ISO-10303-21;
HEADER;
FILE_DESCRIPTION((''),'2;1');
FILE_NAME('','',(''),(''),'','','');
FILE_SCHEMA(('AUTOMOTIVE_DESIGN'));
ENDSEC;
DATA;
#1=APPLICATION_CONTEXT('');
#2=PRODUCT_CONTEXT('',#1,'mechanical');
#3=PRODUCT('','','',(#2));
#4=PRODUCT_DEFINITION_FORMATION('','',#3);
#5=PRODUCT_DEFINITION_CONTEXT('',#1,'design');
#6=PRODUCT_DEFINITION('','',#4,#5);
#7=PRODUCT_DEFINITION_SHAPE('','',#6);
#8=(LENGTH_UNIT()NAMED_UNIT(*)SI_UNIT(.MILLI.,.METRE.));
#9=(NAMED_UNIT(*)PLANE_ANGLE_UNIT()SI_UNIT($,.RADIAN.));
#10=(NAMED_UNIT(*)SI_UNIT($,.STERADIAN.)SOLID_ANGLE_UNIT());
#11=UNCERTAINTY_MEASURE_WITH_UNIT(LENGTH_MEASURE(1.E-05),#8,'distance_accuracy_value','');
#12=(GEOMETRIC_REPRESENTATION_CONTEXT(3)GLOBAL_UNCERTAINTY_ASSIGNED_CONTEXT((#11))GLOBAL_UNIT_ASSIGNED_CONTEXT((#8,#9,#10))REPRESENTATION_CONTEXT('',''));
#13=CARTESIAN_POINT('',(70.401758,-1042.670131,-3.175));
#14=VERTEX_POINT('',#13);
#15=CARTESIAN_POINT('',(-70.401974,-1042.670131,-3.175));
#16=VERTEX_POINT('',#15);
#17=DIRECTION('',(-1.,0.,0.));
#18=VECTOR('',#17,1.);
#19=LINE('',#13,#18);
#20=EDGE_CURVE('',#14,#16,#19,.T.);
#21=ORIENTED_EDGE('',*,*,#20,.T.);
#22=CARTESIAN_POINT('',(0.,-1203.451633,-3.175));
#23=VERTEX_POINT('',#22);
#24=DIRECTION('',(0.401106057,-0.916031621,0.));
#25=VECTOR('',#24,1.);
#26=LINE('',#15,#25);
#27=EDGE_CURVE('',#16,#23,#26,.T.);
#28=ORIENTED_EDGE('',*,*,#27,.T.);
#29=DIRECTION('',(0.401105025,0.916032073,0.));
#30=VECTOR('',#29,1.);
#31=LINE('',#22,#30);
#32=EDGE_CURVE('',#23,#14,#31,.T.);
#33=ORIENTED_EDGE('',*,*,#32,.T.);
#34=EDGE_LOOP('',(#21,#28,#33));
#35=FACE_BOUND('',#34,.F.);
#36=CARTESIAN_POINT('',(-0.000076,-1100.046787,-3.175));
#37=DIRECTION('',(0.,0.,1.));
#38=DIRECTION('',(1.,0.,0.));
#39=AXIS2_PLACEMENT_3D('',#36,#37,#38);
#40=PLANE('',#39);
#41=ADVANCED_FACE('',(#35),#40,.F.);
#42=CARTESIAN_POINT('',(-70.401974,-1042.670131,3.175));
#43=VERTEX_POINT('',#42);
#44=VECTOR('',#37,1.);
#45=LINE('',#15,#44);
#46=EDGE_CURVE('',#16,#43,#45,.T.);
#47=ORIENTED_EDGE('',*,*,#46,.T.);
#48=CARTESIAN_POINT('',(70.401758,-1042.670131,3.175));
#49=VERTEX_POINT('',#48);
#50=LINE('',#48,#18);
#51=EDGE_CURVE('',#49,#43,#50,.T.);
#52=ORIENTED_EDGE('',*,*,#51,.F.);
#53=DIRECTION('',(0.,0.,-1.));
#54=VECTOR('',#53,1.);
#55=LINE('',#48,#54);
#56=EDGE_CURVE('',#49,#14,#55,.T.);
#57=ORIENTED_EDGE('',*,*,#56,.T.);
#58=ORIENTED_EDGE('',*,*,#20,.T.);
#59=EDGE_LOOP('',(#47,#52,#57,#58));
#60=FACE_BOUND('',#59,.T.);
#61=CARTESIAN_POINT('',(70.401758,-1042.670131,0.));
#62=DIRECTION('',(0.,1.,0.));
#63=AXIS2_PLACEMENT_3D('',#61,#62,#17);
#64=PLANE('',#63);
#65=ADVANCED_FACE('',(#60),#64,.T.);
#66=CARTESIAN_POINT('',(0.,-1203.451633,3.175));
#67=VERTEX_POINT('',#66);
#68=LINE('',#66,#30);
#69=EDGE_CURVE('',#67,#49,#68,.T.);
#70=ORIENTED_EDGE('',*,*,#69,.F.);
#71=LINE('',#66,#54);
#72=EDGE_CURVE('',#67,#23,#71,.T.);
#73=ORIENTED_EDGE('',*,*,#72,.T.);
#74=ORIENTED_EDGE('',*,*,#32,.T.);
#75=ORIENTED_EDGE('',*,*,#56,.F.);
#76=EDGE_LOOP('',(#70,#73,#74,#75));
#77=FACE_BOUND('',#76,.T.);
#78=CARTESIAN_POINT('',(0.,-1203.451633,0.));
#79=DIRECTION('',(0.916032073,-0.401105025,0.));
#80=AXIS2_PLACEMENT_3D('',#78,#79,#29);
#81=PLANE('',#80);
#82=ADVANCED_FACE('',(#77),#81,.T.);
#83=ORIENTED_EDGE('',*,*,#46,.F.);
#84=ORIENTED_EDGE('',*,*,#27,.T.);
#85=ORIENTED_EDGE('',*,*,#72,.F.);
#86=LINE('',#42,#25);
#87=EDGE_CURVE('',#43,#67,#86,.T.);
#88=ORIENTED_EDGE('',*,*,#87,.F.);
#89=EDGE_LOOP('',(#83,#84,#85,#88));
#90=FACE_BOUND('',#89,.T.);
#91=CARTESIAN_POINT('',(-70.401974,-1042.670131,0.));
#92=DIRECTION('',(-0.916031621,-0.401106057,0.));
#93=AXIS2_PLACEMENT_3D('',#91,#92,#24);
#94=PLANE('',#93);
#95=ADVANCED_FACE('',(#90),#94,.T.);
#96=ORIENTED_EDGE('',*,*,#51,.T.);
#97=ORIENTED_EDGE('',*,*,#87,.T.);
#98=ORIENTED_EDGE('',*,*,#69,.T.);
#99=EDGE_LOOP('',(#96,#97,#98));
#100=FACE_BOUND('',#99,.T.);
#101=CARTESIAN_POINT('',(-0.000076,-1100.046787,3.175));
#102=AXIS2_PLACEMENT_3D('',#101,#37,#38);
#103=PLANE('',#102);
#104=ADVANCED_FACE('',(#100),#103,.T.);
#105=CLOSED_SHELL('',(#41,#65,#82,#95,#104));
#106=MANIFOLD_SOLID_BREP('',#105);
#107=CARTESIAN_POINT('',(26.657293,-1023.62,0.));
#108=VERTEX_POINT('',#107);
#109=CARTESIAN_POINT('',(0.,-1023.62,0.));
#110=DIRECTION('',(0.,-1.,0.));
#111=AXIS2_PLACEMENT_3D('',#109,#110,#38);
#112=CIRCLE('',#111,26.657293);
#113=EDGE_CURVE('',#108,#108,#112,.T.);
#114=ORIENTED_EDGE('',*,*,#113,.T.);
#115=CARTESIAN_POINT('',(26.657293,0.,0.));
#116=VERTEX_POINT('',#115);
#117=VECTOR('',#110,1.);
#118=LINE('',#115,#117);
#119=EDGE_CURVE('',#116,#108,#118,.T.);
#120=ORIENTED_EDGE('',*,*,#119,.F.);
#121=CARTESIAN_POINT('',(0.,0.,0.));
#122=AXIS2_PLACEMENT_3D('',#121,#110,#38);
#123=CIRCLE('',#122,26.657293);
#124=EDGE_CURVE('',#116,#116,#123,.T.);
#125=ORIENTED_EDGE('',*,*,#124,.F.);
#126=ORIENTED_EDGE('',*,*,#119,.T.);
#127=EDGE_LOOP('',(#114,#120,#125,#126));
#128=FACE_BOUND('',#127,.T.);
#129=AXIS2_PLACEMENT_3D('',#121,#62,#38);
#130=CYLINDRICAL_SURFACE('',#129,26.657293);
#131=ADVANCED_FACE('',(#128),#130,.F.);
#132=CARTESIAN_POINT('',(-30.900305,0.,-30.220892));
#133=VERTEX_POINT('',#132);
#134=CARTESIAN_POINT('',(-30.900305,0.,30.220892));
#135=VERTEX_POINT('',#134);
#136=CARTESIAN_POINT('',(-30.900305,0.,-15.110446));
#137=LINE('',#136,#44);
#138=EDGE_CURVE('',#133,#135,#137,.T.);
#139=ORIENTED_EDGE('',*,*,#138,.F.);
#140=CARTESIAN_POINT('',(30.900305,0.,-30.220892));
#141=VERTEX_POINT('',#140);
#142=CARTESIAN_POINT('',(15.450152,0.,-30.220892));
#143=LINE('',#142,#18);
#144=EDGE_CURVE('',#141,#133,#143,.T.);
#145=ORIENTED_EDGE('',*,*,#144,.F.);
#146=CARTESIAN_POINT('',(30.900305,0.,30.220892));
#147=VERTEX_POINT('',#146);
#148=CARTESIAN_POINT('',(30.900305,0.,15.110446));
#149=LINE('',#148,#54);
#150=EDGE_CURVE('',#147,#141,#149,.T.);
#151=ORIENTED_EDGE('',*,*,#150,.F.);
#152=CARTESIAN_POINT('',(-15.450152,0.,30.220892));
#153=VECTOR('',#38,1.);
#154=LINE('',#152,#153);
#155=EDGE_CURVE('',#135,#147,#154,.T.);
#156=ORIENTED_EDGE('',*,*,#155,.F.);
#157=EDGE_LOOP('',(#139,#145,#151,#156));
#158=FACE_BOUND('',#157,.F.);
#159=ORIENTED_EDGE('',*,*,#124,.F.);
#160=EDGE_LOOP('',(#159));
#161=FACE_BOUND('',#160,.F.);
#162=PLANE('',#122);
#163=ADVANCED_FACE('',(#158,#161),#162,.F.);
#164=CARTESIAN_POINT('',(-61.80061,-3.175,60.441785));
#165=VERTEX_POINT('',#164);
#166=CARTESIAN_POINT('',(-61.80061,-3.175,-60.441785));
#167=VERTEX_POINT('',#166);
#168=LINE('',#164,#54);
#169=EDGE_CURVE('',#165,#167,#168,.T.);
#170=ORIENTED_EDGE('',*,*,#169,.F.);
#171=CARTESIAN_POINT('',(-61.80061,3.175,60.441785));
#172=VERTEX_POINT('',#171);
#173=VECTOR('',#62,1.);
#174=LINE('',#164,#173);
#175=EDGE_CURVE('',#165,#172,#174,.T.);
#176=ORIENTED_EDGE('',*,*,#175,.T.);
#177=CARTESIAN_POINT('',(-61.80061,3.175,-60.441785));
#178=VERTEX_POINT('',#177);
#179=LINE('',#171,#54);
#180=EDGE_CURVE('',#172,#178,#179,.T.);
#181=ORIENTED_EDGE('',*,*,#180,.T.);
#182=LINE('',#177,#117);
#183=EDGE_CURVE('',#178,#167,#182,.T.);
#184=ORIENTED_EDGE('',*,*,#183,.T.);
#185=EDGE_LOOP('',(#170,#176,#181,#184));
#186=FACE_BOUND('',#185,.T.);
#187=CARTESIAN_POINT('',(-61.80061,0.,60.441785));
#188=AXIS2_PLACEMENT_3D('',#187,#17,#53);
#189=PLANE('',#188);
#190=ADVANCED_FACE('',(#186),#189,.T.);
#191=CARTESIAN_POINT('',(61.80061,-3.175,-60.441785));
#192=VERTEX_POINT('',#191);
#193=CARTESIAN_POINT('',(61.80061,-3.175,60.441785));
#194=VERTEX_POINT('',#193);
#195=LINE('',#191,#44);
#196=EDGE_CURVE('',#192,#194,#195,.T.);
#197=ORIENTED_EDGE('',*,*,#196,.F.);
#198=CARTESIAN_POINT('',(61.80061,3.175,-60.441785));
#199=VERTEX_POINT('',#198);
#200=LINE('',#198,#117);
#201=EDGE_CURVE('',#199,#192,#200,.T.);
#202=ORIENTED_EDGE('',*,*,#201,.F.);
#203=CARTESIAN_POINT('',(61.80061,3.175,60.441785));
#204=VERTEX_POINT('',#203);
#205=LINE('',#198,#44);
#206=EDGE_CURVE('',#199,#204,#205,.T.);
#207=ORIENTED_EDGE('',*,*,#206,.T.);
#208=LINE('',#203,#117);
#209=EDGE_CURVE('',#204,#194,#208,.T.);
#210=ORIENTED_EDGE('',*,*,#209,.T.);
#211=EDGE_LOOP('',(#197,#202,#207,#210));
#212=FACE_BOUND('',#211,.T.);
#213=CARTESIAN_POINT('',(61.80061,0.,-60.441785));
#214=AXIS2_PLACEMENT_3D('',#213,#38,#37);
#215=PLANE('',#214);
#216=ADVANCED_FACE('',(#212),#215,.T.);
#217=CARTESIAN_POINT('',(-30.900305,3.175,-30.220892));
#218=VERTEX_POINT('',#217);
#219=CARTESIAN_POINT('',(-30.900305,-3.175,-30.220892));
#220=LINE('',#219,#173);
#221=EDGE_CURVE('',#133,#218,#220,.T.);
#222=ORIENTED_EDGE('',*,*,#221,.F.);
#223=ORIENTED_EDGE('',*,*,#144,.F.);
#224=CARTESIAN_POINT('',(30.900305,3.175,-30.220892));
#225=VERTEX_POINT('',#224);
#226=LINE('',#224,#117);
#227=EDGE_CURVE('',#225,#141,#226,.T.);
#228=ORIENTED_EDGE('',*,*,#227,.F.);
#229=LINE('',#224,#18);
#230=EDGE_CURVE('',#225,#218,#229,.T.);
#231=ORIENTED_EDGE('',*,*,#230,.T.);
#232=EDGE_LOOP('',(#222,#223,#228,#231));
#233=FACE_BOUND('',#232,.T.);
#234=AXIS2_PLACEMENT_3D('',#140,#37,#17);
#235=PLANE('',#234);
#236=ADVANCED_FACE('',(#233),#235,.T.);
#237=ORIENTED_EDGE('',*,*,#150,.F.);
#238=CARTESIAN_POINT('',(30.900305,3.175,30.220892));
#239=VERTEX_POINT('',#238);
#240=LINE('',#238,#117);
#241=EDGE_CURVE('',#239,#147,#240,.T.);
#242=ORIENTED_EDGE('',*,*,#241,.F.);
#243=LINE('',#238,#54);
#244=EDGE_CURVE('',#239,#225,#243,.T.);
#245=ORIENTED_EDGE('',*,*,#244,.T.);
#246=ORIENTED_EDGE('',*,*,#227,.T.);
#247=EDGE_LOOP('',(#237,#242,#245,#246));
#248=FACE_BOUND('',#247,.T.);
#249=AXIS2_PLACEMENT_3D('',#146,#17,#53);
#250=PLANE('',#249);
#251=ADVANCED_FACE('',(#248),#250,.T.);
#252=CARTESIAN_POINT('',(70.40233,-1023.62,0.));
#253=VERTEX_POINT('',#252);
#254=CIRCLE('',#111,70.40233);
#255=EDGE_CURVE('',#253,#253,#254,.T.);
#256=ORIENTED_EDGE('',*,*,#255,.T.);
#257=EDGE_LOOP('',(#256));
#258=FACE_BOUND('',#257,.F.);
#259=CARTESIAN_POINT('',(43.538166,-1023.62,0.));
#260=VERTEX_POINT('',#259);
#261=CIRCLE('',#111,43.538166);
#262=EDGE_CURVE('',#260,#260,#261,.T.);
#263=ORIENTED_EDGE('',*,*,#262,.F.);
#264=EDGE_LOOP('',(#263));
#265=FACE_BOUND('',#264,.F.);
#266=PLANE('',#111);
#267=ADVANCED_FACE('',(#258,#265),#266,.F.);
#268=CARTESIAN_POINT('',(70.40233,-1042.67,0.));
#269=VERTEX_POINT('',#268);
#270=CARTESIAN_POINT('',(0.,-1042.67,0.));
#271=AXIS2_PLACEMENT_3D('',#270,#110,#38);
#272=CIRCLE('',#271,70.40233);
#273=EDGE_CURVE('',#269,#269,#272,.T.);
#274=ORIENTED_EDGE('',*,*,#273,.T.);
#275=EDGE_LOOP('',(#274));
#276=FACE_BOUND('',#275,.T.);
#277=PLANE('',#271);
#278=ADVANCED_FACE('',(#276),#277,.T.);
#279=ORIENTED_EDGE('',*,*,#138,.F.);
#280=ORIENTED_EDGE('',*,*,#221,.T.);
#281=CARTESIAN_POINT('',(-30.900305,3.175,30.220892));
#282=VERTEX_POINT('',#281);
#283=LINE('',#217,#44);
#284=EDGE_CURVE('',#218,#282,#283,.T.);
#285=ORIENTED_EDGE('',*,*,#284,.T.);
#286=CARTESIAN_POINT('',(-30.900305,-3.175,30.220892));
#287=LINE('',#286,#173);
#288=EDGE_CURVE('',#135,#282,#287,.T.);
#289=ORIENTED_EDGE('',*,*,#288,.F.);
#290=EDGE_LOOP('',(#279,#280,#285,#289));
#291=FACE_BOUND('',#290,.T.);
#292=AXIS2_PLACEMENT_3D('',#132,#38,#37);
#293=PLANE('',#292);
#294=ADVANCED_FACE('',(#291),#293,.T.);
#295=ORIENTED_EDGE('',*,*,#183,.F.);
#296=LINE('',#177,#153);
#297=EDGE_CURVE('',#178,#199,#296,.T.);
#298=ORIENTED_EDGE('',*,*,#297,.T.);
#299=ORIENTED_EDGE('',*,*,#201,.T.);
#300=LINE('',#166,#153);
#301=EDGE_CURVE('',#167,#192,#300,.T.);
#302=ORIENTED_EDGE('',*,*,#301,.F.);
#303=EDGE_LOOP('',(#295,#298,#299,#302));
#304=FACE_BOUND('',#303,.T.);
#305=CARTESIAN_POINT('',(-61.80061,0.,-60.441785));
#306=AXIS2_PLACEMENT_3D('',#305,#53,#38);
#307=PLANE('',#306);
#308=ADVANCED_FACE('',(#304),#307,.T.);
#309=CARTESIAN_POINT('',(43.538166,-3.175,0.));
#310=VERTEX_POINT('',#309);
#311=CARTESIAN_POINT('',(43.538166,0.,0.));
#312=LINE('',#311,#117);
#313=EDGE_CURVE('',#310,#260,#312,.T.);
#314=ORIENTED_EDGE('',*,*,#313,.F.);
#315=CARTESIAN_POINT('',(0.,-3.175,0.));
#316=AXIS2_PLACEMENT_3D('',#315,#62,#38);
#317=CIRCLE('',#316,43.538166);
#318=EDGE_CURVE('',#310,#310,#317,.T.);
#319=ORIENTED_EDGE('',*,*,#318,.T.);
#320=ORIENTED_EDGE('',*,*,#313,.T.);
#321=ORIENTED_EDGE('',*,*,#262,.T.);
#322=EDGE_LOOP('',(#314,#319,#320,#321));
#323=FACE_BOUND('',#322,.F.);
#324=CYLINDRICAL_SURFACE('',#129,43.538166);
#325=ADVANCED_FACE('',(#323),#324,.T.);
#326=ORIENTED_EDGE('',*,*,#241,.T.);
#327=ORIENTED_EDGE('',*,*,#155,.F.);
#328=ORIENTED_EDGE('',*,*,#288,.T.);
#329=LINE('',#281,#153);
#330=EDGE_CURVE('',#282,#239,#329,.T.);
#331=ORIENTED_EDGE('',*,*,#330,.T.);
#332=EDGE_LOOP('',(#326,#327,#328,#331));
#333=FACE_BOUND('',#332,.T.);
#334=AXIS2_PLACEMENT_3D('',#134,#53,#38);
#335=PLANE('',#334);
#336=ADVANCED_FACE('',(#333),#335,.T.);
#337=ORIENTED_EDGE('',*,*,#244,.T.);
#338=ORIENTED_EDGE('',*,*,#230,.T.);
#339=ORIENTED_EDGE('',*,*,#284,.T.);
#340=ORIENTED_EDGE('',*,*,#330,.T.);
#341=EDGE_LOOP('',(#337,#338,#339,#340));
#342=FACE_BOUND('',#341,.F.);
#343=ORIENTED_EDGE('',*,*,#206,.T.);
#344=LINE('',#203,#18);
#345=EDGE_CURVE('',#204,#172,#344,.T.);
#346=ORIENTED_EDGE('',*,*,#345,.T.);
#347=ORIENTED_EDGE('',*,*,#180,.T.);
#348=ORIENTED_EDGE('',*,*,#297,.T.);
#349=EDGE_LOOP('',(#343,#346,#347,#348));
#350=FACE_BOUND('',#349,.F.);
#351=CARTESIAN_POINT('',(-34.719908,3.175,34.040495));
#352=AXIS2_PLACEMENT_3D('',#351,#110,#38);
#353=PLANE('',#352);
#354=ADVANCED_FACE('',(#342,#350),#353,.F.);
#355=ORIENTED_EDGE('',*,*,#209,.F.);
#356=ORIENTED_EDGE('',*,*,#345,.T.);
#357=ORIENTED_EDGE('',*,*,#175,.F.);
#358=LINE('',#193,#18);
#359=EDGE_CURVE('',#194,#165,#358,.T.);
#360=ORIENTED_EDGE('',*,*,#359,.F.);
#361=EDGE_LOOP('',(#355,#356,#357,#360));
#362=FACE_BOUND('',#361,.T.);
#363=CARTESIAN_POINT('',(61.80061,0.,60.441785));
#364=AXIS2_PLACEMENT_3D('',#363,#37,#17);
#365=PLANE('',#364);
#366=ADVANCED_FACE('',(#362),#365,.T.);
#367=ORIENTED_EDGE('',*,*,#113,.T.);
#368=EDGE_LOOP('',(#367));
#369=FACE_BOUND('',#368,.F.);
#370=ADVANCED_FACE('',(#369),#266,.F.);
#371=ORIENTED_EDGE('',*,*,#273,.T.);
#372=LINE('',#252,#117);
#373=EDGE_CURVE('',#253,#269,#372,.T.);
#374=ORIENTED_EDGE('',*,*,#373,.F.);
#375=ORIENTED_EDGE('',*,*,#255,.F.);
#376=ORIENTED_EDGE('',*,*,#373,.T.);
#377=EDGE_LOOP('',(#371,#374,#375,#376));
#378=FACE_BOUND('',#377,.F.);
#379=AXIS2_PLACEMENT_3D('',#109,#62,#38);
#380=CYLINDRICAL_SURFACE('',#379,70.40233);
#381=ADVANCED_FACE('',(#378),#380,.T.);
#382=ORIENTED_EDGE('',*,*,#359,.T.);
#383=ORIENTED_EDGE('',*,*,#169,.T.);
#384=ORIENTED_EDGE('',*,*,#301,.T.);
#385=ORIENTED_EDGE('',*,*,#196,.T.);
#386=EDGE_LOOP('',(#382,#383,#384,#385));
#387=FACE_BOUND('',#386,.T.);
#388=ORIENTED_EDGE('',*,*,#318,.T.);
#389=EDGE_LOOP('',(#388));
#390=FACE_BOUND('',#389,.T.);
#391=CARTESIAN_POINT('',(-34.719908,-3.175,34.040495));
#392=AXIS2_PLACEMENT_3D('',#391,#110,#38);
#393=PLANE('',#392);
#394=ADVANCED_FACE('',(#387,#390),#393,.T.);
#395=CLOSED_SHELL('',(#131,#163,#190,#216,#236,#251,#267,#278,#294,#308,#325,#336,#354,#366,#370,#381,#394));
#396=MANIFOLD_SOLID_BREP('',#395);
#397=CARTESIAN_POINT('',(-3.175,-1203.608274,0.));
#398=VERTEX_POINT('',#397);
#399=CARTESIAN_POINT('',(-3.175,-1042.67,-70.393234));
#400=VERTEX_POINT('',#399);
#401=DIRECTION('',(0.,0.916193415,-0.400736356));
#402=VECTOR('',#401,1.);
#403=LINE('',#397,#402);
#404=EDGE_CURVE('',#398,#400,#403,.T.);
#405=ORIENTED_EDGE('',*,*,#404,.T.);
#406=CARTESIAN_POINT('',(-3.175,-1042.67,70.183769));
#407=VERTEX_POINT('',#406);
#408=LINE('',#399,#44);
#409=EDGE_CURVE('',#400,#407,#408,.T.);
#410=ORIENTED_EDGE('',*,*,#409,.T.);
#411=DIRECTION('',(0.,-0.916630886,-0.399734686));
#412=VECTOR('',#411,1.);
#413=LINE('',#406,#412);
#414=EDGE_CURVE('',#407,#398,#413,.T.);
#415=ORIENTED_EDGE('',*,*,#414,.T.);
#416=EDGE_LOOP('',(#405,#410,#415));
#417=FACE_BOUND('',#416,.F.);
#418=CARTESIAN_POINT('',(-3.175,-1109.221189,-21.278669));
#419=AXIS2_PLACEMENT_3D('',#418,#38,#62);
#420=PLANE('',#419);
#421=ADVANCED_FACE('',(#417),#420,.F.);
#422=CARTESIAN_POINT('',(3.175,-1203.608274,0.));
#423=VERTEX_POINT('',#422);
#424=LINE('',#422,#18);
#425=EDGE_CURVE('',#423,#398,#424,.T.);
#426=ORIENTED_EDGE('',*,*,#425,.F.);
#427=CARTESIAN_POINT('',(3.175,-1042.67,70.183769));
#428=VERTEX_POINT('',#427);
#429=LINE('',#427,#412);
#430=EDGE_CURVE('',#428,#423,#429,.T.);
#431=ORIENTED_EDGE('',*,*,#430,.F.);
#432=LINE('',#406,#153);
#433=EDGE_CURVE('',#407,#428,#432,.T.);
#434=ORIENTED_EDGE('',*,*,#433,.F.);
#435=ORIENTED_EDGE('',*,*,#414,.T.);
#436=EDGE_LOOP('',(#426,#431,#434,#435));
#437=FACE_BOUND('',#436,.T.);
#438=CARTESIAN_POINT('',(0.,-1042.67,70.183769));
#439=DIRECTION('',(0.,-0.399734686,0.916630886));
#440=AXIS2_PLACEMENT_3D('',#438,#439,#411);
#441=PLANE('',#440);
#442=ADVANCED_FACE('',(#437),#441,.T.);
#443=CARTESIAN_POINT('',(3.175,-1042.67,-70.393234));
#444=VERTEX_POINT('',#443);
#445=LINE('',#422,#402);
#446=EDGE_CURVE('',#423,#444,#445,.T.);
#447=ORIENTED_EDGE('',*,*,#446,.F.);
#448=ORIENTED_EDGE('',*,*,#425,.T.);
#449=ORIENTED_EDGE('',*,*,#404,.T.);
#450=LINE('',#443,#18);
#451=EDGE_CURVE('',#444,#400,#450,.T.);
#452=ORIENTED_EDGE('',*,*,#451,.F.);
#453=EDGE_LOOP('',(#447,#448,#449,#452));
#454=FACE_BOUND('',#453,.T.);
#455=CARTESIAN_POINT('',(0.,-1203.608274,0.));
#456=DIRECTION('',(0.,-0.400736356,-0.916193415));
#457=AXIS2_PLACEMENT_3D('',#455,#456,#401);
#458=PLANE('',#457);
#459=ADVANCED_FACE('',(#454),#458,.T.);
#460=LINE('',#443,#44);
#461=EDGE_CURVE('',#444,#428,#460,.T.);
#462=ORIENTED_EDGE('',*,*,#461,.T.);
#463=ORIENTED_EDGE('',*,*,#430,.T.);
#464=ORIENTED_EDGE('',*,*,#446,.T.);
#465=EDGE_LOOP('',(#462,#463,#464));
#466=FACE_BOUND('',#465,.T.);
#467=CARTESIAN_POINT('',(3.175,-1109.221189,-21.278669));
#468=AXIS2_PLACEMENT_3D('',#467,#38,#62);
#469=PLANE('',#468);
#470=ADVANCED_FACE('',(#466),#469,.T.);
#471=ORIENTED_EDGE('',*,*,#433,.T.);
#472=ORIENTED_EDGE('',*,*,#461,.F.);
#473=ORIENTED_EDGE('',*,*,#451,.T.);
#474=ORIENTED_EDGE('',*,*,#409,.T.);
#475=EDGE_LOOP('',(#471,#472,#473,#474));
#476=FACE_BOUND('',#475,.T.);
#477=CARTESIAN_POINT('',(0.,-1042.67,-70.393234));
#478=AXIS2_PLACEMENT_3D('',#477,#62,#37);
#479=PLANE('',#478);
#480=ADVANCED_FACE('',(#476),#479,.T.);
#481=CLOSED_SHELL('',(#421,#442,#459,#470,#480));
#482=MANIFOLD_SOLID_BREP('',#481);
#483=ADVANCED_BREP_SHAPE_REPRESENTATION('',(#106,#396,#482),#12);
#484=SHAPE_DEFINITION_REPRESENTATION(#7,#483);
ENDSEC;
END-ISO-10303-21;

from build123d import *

# Parameters (mm, degrees)
F0_R      = 43.538166
F0_R_2    = 26.657293
F1_DEPTH  = 1023.62
F3_R      = 70.40233
F4_DEPTH  = 19.05
F7_DEPTH  = 3.175
F8_DEPTH  = 3.175
F10_DEPTH = 3.175


with BuildPart() as f1:
    # F0 (on Front) → F1 (new body)
    with BuildSketch(Plane.XZ):
        Circle(F0_R)
        Circle(F0_R_2, mode=Mode.SUBTRACT)
    extrude(amount=F1_DEPTH)

    # F3 (on offset) → F4 (join)
    with BuildSketch(Plane.XZ.offset(1023.62)):
        Circle(F3_R)
    extrude(amount=F4_DEPTH)

    # F9 (on Front) → F10 (join, symmetric)
    with BuildSketch(Plane.XZ):
        Polygon((-30.900305, 0), (-30.900305, 30.220892), (0, 30.220892), (0, 60.441785), (-61.80061, 60.441785), (-61.80061, 0), align=None)
        Polygon((-30.900305, -30.220892), (-30.900305, 0), (-61.80061, 0), (-61.80061, -60.441785), (0, -60.441785), (0, -30.220892), align=None)
        Polygon((61.80061, 0), (30.900305, 0), (30.900305, -30.220892), (0, -30.220892), (0, -60.441785), (61.80061, -60.441785), align=None)
        Polygon((0, 60.441785), (0, 30.220892), (30.900305, 30.220892), (30.900305, 0), (61.80061, 0), (61.80061, 60.441785), align=None)
    extrude(amount=F10_DEPTH, both=True)


with BuildPart() as f7:
    # F6 (on Top) → F7 (new body, symmetric)
    with BuildSketch(Plane.XY):
        Polygon((70.401758, -1042.670131), (-70.401974, -1042.670131), (0, -1203.451633), align=None)
    extrude(amount=F7_DEPTH, both=True)


with BuildPart() as f8:
    # F5 (on Right) → F8 (new body, symmetric)
    with BuildSketch(Plane.YZ):
        Polygon((-1042.67, -70.393234), (-1042.67, 0), (-1203.608274, 0), align=None)
        Polygon((-1203.608274, 0), (-1042.67, 0), (-1042.67, 70.183769), align=None)
    extrude(amount=F8_DEPTH, both=True)


solid = Compound([f1.part, f7.part, f8.part])
